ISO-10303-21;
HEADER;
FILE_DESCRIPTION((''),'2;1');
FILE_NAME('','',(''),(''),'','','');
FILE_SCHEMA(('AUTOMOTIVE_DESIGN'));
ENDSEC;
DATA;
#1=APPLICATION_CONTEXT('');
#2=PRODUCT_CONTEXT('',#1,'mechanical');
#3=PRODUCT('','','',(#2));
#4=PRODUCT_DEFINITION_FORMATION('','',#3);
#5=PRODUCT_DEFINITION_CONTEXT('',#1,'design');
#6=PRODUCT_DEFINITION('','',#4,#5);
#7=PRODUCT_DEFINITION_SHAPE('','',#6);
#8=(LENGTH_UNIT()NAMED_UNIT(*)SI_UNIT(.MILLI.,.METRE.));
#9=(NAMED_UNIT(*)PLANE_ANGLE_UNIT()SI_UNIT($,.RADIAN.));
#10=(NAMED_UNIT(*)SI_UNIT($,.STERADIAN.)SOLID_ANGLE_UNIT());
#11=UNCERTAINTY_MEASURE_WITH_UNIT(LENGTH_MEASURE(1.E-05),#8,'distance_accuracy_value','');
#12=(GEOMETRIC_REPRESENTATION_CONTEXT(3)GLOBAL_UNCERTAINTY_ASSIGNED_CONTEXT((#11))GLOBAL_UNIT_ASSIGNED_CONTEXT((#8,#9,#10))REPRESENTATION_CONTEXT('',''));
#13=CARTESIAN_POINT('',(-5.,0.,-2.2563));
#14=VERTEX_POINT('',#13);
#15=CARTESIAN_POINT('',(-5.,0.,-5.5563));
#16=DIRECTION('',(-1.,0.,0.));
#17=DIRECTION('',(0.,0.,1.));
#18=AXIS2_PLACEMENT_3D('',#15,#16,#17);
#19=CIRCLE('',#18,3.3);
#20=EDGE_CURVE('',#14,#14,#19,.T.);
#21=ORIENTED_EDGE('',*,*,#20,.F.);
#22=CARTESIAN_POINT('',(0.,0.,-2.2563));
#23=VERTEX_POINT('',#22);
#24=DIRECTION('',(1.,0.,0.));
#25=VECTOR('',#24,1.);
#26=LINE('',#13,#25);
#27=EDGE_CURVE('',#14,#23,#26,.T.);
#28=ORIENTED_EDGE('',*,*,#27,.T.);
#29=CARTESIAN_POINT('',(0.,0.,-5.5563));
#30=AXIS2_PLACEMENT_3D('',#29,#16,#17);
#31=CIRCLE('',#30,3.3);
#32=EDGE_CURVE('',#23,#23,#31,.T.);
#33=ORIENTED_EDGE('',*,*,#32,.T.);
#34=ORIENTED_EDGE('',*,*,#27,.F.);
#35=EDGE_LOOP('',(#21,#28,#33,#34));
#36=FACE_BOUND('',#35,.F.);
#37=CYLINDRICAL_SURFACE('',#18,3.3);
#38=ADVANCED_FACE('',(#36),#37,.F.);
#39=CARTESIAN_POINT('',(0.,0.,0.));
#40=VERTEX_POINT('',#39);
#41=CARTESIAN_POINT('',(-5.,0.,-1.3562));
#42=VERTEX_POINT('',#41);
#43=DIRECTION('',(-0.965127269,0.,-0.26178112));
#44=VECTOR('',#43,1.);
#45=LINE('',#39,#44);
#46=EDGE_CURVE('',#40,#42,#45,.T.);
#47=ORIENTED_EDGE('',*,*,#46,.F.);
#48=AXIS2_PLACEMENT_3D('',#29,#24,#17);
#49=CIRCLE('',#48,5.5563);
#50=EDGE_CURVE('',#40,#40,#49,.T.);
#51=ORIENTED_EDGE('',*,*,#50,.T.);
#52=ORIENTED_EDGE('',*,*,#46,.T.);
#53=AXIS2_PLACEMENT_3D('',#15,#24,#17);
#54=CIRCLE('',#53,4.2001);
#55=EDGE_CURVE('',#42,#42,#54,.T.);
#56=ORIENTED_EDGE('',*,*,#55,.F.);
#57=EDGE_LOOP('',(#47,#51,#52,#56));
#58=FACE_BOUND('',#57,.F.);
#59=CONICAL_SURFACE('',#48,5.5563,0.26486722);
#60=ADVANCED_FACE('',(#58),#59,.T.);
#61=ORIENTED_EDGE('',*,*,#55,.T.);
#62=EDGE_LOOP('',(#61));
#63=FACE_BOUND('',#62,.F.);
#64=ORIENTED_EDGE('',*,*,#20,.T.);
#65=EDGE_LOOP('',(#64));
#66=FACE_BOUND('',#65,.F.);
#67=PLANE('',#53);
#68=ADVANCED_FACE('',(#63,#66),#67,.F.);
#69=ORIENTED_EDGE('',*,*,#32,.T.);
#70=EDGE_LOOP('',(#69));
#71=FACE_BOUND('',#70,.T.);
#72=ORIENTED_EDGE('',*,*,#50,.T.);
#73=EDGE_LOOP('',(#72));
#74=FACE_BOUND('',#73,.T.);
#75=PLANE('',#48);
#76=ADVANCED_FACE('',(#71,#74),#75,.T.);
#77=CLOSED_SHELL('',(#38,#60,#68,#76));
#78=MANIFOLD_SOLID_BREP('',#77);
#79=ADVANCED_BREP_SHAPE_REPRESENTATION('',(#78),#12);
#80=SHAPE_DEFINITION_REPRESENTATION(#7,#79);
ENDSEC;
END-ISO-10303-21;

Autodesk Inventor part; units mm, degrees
ref_plane "YZ Plane" through (0, 0, 0) normal (1, 0, 0) x (0, 1, 0)
ref_plane "XZ Plane" through (0, 0, 0) normal (0, 1, 0) x (-1, 0, 0)
ref_plane "XY Plane" through (0, 0, 0) normal (0, 0, 1) x (1, 0, 0)
sketch "Sketch1" plane through (0, 0, 0) normal (0, 1, 0) x (-1, 0, 0)
  line L0 (0, 0) -> (0, -11.1125)
  line L1 (5, -1.3562) -> (5, -9.7563)
  line L2 (0, 0) -> (5, -1.3562)
  line L3 (5, -9.7563) -> (0, -11.1125)
  line L4 (5, -5.5563) -> (0, -5.5563)
  dimension "d1" = 11.1125
  dimension "d2" = 8.4
  dimension "d3" = 5
revolve "Revolution1" add sketch "Sketch1" angle 360 about axis through (-5, 0, -5.5563) along (1, 0, 0)
sketch "Sketch2" plane through (-5, 0, -5.5563) normal (-1, 0, 0) x (0, 0, 1)
  arc A0 (-4.2, 0) -> (4.2, 0) centre (0, 0) ccw projected
  circle A1 centre (0, 0) radius 3.3
  point P0 (5.5563, 0)
  dimension "d6" = 6.6
extrude "Extrusion1" cut sketch "Sketch2" against normal up to surface (5 mm away)
properties part number "nutSecurer"
